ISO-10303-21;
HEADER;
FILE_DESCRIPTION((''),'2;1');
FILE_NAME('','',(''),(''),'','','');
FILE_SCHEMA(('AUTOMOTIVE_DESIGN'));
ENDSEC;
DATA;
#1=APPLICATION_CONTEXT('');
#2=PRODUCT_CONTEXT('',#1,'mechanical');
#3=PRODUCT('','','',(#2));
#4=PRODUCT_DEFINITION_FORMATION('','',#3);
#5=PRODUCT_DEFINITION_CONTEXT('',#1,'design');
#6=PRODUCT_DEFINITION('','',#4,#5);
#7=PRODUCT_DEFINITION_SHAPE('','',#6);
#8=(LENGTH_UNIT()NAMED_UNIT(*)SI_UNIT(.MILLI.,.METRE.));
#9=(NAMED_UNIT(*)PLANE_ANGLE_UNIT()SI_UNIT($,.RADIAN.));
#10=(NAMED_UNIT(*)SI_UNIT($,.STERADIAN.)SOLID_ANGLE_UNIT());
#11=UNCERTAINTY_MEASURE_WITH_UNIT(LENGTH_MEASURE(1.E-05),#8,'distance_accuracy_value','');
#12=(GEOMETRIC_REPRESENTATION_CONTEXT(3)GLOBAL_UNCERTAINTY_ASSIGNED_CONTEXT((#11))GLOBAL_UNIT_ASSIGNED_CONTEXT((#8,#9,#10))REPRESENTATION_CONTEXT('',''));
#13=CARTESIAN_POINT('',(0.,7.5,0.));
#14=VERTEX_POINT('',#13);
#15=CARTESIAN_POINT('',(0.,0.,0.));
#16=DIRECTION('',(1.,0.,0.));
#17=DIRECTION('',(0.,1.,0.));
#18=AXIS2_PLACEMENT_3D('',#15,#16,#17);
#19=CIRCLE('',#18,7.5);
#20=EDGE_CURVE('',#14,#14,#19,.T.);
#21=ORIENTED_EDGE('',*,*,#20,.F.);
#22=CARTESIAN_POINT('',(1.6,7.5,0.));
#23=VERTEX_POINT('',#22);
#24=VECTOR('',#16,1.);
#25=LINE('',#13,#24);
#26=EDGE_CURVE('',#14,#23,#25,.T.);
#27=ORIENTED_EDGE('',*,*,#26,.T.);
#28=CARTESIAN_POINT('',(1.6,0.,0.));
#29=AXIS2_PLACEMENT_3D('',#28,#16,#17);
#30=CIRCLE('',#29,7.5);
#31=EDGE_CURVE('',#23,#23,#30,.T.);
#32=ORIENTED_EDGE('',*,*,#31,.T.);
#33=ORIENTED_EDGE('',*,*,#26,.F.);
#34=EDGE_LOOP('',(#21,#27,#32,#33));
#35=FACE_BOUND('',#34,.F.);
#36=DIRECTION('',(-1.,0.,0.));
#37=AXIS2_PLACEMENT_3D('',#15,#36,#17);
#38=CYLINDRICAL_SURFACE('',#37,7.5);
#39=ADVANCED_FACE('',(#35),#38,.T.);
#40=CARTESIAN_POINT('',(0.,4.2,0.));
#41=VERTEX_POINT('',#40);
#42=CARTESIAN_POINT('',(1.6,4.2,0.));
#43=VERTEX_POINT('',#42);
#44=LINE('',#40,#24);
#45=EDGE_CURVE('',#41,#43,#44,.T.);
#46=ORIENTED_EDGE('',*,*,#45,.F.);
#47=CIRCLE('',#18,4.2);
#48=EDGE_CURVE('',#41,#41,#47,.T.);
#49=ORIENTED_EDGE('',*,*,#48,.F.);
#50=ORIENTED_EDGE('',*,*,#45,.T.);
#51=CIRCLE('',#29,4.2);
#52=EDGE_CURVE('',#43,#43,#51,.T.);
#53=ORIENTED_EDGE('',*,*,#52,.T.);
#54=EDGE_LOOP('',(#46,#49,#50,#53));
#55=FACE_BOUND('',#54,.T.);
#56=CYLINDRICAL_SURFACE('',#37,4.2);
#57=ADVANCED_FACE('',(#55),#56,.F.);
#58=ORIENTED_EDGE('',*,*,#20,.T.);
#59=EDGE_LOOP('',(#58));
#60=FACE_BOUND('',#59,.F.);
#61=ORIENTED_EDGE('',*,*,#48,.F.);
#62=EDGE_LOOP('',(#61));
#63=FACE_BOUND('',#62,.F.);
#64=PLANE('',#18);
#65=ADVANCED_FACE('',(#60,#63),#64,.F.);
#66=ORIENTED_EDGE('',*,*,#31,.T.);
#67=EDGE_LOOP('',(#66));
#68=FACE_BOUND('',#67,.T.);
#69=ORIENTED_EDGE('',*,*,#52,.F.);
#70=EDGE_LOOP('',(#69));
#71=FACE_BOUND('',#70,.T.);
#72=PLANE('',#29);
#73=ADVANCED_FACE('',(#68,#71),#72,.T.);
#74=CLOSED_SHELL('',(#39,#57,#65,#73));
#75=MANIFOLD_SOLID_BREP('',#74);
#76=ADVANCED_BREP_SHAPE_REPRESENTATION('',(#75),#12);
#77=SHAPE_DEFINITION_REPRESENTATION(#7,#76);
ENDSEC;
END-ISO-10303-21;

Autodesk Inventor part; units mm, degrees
ref_plane "YZ Plane" through (0, 0, 0) normal (1, 0, 0) x (0, 1, 0)
ref_plane "XZ Plane" through (0, 0, 0) normal (0, 1, 0) x (-1, 0, 0)
sketch "Skizze" plane through (0, 0, 0) normal (1, 0, 0) x (0, 1, 0)
  circle A0 centre (0, 0) radius 7.5
  circle A1 centre (0, 0) radius 4.2
  dimension "d0" = 8.4
  dimension "d1" = 15
extrude "Körper" add sketch "Skizze" along normal blind 1.6
ref_plane "Work Plane1" through (0, 0, 0) normal (0, 0, 1) x (1, 0, 0)
equation "\"d0\" = SD1"
equation "\"d1\" = SD2"
equation "\"d2\" = SD"
equation "\"SD1\" = 8.4"
equation "\"SD2\" = 15"
equation "\"SD\" = 1.6"
equation "\"NND\" = 8"
properties part number "ISO 7092 - ST 8 - 140 HV" material "Edelstahl"
